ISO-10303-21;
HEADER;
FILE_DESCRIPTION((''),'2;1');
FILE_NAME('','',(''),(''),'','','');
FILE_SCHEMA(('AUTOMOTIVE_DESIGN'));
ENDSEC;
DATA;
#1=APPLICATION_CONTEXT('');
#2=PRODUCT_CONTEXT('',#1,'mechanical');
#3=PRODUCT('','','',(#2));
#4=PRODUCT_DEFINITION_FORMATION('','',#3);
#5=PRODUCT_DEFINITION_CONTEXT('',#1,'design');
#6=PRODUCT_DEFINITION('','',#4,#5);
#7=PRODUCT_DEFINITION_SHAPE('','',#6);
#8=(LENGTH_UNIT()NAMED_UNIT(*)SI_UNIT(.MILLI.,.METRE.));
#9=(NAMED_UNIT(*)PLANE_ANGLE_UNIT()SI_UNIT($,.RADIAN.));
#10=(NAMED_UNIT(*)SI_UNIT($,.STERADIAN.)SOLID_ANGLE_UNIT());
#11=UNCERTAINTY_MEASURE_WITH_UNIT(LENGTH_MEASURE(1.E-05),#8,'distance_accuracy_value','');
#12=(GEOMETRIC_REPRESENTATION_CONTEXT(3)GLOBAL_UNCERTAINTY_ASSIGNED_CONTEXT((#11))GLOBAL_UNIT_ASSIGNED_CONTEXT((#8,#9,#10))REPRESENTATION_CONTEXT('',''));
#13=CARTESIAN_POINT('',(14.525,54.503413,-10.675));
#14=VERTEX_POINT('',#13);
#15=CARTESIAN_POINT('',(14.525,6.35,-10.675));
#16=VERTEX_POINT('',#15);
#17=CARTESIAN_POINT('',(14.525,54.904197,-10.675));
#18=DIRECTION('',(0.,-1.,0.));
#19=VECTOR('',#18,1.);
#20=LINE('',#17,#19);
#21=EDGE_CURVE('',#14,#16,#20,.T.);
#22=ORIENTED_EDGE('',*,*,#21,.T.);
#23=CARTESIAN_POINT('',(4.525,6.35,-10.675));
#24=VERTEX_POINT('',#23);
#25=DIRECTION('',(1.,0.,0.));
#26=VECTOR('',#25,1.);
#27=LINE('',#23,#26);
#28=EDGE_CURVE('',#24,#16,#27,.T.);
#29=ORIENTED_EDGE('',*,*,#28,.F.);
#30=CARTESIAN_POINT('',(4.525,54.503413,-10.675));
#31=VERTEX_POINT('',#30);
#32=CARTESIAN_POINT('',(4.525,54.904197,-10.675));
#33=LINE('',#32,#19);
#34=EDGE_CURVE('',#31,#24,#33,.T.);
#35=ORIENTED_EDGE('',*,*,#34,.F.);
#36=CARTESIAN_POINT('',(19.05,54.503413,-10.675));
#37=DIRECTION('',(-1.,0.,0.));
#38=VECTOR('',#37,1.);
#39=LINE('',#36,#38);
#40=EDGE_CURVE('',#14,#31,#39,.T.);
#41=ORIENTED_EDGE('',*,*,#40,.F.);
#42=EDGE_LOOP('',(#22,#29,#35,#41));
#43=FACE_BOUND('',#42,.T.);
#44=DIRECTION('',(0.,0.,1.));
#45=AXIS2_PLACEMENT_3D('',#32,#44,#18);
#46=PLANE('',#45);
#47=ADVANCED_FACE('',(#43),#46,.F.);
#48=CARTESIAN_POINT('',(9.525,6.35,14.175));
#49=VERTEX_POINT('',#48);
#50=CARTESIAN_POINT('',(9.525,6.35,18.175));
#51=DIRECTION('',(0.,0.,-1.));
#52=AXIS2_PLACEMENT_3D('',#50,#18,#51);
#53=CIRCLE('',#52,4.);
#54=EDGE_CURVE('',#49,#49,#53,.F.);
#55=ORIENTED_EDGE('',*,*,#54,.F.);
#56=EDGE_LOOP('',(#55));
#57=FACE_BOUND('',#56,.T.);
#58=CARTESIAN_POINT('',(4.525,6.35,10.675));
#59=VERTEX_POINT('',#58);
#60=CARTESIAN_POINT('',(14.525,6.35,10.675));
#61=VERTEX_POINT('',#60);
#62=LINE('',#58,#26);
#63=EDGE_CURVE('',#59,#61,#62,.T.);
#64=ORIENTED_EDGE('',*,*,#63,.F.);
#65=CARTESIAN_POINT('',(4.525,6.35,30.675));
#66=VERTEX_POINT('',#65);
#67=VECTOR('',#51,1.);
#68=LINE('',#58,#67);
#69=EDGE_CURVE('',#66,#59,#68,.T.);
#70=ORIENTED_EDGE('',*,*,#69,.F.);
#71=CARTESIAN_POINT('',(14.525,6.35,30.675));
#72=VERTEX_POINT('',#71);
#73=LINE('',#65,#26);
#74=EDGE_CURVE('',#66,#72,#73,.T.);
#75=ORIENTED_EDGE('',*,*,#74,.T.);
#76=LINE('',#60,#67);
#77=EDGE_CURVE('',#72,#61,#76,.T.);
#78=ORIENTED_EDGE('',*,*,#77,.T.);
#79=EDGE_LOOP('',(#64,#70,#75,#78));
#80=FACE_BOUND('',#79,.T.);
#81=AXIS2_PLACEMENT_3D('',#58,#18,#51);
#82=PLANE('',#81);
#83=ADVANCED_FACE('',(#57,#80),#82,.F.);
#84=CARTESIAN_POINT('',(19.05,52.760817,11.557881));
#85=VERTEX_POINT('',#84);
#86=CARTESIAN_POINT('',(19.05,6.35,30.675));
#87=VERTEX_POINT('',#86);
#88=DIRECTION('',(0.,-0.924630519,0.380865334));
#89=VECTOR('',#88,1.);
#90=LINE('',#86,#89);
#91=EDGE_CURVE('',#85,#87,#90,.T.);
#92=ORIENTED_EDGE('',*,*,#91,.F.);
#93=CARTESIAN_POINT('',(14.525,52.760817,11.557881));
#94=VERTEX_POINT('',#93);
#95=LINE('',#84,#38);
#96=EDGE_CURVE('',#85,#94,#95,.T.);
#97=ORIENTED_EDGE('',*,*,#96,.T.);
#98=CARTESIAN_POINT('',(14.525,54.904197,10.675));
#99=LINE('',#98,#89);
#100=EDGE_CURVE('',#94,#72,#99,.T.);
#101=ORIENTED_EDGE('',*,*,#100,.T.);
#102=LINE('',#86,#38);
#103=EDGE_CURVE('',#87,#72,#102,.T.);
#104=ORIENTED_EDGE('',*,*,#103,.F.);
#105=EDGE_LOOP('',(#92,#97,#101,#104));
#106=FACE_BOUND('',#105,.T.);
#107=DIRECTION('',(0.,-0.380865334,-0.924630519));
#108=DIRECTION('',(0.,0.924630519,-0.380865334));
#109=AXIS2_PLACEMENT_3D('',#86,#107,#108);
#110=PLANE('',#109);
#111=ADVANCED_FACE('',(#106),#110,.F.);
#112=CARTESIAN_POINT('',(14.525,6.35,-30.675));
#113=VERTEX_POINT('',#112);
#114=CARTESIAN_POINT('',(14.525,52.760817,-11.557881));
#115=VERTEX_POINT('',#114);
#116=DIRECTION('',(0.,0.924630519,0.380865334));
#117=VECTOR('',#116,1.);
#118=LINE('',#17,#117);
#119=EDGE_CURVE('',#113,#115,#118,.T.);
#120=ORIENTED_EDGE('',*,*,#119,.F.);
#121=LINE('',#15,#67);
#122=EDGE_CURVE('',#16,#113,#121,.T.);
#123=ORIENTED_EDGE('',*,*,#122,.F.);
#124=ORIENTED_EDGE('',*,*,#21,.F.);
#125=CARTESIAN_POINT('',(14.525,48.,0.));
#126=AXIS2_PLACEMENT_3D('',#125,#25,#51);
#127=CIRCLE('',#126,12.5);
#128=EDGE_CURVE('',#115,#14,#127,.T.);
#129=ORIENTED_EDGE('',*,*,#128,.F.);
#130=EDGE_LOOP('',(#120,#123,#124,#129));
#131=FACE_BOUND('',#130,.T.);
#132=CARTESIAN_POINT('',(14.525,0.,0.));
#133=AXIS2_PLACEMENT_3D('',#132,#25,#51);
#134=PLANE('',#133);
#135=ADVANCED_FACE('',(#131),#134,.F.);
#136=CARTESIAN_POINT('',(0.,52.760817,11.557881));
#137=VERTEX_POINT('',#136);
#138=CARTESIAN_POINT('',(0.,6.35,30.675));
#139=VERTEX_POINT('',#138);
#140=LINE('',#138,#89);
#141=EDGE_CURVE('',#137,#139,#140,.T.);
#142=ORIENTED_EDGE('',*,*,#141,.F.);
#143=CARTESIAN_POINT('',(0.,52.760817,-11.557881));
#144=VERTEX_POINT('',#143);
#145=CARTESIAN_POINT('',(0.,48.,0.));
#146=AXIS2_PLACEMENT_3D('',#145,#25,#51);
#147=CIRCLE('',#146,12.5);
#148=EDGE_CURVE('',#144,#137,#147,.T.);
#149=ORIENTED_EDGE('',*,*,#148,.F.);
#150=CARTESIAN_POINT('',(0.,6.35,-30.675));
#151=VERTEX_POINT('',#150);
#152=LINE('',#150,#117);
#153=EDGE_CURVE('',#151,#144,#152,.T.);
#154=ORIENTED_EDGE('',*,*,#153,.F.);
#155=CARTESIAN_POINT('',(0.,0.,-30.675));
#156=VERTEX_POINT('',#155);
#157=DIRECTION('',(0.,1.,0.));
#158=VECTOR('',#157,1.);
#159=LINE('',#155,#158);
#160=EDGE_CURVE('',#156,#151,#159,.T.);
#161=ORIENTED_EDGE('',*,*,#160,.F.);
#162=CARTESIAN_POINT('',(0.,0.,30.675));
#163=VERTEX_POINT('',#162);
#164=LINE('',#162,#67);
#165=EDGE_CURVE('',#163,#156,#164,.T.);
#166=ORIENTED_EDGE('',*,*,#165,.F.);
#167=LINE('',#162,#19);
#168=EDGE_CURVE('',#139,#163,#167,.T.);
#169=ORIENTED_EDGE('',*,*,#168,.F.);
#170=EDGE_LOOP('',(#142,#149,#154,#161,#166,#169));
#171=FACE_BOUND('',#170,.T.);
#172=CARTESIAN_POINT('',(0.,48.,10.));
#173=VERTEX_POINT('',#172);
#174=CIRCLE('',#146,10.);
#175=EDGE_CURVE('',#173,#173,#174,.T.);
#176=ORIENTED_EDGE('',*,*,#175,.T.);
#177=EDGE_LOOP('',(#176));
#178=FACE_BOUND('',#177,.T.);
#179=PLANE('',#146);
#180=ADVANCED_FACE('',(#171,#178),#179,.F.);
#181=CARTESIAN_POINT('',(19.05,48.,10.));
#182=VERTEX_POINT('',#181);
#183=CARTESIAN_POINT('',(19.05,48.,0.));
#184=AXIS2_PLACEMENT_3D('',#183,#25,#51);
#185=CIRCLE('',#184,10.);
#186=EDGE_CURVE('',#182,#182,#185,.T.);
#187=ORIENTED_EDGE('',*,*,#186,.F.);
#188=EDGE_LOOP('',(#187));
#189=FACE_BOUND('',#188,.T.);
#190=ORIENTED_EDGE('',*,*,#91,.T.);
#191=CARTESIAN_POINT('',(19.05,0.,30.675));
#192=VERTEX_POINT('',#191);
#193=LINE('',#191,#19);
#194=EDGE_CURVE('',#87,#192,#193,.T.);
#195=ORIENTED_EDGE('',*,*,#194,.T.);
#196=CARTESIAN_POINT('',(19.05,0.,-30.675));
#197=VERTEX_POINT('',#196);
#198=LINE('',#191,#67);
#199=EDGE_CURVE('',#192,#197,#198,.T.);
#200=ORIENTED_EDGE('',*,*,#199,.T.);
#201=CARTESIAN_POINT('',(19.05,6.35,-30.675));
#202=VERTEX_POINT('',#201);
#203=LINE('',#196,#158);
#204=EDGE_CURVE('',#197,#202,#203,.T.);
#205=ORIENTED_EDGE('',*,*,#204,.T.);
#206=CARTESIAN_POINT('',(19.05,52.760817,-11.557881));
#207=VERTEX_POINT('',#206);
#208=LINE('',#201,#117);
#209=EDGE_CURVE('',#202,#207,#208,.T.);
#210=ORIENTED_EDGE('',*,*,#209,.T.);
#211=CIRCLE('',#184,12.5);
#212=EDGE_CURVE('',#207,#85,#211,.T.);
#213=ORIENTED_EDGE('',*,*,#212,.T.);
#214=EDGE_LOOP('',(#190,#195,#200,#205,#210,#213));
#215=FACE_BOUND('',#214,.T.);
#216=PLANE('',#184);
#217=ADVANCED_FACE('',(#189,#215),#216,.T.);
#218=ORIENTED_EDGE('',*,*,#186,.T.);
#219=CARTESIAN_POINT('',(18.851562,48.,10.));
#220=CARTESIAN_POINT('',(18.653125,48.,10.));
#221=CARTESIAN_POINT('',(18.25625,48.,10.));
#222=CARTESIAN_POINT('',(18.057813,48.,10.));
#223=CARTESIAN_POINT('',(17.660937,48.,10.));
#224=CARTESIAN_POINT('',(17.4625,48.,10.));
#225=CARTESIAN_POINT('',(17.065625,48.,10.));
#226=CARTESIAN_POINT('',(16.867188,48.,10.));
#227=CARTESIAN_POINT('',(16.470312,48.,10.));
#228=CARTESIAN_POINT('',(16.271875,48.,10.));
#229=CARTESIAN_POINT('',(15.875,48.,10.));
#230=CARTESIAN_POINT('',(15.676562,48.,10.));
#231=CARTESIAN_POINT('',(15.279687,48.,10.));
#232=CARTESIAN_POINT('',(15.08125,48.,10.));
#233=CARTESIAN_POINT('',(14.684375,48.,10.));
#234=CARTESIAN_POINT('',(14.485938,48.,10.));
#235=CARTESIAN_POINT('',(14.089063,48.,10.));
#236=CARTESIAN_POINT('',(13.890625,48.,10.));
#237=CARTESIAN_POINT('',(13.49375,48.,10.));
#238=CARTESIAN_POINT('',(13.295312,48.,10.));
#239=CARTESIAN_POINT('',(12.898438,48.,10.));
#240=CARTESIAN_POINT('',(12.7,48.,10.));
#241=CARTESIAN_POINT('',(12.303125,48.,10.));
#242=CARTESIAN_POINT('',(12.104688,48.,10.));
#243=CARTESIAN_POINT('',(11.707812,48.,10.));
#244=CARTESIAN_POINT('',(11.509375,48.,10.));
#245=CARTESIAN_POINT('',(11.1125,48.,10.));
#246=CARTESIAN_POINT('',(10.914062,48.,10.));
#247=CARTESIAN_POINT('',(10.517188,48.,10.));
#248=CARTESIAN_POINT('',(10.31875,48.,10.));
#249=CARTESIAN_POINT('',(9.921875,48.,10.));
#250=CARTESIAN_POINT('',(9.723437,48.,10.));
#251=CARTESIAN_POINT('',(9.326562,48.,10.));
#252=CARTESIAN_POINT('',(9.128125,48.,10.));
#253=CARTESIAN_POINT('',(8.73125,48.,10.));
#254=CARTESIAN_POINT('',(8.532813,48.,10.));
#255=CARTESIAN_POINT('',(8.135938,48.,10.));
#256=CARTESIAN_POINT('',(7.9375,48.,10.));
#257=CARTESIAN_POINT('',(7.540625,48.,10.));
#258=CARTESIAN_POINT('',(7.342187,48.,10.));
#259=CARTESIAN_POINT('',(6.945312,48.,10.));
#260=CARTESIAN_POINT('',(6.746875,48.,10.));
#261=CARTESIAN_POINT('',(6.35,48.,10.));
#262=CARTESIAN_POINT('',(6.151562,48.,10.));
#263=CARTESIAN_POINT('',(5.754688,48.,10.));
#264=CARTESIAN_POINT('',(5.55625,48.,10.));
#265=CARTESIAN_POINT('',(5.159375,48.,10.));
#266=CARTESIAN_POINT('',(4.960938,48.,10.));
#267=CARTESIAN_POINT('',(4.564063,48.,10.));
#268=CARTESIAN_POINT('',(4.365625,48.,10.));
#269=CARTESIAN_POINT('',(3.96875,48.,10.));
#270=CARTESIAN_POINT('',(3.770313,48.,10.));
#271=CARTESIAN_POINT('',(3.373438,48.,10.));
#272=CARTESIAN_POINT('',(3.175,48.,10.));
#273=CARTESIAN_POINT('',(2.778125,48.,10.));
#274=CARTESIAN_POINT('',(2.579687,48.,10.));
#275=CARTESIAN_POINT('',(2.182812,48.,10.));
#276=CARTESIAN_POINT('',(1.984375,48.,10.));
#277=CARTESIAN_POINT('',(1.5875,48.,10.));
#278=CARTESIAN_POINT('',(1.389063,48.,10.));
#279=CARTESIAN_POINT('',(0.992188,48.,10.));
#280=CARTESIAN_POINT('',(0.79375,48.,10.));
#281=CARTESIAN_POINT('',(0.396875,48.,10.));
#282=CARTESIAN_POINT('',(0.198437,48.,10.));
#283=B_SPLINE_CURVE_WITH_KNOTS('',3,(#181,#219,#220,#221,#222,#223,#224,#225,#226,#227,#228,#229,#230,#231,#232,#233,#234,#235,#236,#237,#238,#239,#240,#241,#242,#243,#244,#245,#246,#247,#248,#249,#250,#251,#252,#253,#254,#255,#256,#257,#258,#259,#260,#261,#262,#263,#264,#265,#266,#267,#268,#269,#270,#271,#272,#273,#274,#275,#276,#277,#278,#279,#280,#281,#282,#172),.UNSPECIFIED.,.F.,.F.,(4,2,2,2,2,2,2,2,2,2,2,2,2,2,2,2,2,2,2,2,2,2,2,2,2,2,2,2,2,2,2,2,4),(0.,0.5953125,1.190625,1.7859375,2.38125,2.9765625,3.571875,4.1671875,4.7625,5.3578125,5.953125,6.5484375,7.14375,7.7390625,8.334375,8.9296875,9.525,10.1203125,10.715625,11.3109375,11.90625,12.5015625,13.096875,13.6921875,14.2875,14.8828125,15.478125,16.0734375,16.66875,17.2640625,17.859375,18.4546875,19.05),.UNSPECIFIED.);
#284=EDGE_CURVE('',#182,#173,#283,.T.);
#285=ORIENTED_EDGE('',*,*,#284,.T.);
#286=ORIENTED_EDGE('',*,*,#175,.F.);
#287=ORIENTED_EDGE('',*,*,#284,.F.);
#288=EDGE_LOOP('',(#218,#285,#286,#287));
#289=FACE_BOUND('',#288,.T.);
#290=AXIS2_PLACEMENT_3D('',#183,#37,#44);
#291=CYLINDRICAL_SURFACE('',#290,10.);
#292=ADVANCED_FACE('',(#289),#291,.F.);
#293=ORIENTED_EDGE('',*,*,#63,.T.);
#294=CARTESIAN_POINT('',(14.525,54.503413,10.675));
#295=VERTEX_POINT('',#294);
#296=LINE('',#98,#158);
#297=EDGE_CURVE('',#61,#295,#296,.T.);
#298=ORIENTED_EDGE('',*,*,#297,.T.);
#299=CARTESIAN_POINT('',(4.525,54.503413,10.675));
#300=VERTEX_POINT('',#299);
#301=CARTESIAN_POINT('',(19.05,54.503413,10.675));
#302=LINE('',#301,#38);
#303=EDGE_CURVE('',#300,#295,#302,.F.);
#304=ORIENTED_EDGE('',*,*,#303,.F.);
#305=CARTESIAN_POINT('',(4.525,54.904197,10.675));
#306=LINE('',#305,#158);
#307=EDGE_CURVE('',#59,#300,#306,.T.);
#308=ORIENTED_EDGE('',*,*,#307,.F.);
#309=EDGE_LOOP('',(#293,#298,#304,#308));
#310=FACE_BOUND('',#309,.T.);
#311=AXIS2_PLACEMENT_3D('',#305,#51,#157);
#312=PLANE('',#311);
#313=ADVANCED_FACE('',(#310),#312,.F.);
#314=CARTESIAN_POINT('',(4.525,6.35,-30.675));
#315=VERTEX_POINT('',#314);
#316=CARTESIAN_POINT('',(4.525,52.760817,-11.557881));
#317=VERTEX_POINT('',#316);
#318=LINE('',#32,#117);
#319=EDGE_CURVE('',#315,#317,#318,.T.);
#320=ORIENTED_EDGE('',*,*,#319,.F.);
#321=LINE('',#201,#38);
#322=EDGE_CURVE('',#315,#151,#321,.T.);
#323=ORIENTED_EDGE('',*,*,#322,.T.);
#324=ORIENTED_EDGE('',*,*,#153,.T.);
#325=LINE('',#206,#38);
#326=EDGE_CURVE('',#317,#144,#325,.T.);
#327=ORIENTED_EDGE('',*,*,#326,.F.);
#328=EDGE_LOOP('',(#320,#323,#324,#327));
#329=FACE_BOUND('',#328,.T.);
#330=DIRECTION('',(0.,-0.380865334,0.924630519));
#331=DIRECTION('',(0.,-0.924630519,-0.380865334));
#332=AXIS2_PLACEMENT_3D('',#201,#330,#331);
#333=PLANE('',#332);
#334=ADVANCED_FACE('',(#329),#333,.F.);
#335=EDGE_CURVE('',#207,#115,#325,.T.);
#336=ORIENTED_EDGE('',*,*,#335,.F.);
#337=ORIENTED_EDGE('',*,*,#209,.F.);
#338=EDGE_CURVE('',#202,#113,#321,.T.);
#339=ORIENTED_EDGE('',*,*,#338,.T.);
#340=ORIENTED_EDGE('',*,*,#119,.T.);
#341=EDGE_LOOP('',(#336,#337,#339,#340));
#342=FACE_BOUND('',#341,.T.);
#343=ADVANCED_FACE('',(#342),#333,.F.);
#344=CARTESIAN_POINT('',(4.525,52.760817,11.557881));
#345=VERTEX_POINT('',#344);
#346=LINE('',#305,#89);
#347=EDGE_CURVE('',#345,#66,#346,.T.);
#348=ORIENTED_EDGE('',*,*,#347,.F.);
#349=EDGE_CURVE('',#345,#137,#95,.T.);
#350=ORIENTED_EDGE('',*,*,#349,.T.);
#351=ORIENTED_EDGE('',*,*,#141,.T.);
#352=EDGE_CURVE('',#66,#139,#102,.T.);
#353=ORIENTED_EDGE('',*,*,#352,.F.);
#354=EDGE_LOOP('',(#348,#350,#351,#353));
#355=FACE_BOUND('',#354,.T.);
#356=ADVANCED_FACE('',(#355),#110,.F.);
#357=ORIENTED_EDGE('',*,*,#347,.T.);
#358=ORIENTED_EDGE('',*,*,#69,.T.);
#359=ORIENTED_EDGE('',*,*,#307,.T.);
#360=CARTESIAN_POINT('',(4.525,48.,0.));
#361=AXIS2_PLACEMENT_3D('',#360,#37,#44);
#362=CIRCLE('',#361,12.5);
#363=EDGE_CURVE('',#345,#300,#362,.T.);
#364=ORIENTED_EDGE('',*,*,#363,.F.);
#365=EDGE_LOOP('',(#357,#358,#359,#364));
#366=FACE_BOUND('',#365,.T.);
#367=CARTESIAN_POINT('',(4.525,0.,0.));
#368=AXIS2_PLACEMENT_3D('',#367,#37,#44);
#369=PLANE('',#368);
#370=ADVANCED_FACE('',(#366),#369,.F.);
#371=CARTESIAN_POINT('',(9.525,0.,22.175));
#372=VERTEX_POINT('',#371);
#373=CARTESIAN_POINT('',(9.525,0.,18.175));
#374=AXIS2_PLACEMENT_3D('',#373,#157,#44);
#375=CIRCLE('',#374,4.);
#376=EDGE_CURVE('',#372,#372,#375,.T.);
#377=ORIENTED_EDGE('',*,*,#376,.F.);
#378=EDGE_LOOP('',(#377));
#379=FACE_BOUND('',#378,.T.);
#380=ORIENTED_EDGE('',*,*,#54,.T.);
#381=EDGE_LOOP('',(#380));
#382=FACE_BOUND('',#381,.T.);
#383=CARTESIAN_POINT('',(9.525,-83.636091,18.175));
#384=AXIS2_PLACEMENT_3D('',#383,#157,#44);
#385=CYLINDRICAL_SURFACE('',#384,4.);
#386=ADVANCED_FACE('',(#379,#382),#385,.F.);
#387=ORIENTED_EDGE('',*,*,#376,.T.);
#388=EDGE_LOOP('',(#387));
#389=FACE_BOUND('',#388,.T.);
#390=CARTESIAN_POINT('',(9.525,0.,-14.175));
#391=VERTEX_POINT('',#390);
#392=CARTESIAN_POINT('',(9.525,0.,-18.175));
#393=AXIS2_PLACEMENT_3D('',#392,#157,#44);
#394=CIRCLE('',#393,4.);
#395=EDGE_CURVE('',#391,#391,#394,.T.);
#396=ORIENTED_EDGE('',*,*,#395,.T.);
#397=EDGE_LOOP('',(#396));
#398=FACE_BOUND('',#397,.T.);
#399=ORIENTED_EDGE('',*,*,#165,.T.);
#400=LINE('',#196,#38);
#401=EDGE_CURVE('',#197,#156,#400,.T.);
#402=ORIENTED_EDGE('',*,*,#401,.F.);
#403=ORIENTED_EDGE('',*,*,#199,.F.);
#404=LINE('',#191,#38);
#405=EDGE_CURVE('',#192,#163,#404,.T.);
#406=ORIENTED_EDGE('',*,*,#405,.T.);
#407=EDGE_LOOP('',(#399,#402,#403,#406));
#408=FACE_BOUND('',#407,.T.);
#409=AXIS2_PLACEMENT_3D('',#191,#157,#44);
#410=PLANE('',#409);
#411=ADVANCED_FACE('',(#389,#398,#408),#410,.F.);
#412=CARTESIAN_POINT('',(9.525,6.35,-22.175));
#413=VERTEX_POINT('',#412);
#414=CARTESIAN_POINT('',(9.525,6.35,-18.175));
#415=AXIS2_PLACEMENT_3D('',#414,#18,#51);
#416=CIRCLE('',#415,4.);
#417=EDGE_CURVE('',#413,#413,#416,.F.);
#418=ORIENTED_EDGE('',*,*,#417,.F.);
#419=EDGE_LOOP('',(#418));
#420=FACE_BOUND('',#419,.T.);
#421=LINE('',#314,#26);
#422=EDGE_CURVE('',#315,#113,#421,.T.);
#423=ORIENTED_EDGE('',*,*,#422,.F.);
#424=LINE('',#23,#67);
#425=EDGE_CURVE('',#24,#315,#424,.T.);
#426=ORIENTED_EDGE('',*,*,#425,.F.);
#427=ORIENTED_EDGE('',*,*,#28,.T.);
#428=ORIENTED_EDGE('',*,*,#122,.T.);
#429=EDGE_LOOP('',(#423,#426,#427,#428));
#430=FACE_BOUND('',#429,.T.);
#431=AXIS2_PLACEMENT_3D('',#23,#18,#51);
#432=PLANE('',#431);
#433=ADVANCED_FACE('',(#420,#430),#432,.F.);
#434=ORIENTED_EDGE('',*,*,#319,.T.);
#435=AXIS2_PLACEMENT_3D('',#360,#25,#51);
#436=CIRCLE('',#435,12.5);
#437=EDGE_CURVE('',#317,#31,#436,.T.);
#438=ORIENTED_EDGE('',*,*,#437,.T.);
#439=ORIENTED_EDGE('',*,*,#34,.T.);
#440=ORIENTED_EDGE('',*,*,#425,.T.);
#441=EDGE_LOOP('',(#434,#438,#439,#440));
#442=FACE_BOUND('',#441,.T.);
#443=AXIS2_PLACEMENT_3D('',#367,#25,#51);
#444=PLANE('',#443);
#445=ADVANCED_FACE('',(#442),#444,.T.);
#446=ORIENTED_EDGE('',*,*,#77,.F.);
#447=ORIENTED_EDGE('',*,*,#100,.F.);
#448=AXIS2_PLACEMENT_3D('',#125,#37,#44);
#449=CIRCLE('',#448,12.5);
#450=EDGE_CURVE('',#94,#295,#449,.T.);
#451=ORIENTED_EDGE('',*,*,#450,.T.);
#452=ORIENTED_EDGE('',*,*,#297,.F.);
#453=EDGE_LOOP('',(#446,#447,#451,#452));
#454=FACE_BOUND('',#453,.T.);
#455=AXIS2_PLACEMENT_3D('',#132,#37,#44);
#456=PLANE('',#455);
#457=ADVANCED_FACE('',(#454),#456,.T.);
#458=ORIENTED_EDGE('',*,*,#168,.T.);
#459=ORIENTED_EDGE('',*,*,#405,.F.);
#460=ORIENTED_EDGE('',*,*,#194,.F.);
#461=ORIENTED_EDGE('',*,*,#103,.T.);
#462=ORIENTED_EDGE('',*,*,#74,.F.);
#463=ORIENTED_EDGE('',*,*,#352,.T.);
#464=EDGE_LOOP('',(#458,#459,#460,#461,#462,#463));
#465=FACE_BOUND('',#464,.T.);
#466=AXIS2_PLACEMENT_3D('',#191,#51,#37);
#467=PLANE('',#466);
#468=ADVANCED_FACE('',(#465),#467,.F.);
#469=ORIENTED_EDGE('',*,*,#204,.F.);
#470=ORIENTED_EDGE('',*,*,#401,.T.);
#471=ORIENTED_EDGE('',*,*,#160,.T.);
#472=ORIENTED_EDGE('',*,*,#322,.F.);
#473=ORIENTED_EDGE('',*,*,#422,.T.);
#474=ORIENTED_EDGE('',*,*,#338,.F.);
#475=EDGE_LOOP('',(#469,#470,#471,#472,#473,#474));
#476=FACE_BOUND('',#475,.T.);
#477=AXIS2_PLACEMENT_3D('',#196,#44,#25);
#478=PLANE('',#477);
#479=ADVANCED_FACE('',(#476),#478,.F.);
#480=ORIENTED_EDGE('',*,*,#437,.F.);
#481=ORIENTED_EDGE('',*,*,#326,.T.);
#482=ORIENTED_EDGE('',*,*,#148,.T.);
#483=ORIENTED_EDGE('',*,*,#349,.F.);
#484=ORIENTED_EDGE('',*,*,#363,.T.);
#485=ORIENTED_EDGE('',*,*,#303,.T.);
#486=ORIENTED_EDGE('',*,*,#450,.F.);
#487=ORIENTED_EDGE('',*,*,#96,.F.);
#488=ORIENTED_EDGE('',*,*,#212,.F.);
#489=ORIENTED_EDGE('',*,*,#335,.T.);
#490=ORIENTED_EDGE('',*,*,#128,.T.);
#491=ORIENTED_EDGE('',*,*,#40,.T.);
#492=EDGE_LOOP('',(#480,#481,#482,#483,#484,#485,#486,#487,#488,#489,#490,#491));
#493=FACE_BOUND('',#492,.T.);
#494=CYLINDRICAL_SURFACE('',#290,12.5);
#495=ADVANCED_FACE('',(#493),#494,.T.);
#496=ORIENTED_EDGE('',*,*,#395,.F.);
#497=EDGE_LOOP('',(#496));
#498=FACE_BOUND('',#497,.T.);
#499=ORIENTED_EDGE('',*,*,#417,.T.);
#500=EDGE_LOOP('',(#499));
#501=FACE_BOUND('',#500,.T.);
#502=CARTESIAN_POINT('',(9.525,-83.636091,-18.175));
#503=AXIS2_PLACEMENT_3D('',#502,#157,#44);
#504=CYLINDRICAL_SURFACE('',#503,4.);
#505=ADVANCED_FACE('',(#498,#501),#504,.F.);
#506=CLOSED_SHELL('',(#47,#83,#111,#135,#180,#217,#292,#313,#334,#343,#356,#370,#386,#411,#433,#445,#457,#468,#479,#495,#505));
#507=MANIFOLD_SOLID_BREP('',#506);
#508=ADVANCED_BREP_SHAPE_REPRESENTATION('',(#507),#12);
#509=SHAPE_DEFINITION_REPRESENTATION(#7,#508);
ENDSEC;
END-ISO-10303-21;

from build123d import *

# Parameters (mm, degrees)
SKETCH1_R           = 10
BOSS_EXTRUDE1_DEPTH = 19.05
SKETCH2_R           = 4
CUT_EXTRUDE1_DEPTH  = 83.63609118
CUT_EXTRUDE2_DEPTH  = 5


with BuildPart() as part:
    # Sketch1 → Boss-Extrude1 (new body)
    with BuildSketch(Plane(origin=(0, 0, 0), x_dir=(0, 0, -1), z_dir=(1, 0, 0))):
        with BuildLine():
            Line((-30.675, 0), (-30.675, 6.35))
            Line((-30.675, 6.35), (-11.55788149, 52.76081668))
            ThreePointArc((-11.55788149, 52.76081668), (0, 60.5), (11.55788149, 52.76081668))
            Line((11.55788149, 52.76081668), (30.675, 6.35))
            Line((30.675, 6.35), (30.675, 0))
            Line((30.675, 0), (-30.675, 0))
        make_face()
        with Locations(Location((0, 48, 0), (0, 0, 180))):
            Circle(SKETCH1_R, mode=Mode.SUBTRACT)
    extrude(amount=BOSS_EXTRUDE1_DEPTH)

    # Sketch2 → Cut-Extrude1 (cut, symmetric)
    with BuildSketch(Plane(origin=(0, 0, 0), x_dir=(1, 0, 0), z_dir=(0, 1, 0))):
        with Locations(Location((9.525, -18.175, 0), (0, 0, 270))):
            Circle(SKETCH2_R)
        with Locations(Location((9.525, 18.175, 0), (0, 0, 270))):
            Circle(SKETCH2_R)
    extrude(amount=CUT_EXTRUDE1_DEPTH, both=True, mode=Mode.SUBTRACT)

    # Sketch3 → Cut-Extrude2 (cut, symmetric)
    with BuildSketch(Plane(origin=(9.525, 0, 0), x_dir=(0, 0, -1), z_dir=(1, 0, 0))):
        Polygon((-10.675, 54.904196759), (-10.675, 6.35), (-30.675, 6.35), align=None)
        Polygon((10.675, 54.904196759), (30.675, 6.35), (10.675, 6.35), align=None)
    extrude(amount=CUT_EXTRUDE2_DEPTH, both=True, mode=Mode.SUBTRACT)


solid = part.part
